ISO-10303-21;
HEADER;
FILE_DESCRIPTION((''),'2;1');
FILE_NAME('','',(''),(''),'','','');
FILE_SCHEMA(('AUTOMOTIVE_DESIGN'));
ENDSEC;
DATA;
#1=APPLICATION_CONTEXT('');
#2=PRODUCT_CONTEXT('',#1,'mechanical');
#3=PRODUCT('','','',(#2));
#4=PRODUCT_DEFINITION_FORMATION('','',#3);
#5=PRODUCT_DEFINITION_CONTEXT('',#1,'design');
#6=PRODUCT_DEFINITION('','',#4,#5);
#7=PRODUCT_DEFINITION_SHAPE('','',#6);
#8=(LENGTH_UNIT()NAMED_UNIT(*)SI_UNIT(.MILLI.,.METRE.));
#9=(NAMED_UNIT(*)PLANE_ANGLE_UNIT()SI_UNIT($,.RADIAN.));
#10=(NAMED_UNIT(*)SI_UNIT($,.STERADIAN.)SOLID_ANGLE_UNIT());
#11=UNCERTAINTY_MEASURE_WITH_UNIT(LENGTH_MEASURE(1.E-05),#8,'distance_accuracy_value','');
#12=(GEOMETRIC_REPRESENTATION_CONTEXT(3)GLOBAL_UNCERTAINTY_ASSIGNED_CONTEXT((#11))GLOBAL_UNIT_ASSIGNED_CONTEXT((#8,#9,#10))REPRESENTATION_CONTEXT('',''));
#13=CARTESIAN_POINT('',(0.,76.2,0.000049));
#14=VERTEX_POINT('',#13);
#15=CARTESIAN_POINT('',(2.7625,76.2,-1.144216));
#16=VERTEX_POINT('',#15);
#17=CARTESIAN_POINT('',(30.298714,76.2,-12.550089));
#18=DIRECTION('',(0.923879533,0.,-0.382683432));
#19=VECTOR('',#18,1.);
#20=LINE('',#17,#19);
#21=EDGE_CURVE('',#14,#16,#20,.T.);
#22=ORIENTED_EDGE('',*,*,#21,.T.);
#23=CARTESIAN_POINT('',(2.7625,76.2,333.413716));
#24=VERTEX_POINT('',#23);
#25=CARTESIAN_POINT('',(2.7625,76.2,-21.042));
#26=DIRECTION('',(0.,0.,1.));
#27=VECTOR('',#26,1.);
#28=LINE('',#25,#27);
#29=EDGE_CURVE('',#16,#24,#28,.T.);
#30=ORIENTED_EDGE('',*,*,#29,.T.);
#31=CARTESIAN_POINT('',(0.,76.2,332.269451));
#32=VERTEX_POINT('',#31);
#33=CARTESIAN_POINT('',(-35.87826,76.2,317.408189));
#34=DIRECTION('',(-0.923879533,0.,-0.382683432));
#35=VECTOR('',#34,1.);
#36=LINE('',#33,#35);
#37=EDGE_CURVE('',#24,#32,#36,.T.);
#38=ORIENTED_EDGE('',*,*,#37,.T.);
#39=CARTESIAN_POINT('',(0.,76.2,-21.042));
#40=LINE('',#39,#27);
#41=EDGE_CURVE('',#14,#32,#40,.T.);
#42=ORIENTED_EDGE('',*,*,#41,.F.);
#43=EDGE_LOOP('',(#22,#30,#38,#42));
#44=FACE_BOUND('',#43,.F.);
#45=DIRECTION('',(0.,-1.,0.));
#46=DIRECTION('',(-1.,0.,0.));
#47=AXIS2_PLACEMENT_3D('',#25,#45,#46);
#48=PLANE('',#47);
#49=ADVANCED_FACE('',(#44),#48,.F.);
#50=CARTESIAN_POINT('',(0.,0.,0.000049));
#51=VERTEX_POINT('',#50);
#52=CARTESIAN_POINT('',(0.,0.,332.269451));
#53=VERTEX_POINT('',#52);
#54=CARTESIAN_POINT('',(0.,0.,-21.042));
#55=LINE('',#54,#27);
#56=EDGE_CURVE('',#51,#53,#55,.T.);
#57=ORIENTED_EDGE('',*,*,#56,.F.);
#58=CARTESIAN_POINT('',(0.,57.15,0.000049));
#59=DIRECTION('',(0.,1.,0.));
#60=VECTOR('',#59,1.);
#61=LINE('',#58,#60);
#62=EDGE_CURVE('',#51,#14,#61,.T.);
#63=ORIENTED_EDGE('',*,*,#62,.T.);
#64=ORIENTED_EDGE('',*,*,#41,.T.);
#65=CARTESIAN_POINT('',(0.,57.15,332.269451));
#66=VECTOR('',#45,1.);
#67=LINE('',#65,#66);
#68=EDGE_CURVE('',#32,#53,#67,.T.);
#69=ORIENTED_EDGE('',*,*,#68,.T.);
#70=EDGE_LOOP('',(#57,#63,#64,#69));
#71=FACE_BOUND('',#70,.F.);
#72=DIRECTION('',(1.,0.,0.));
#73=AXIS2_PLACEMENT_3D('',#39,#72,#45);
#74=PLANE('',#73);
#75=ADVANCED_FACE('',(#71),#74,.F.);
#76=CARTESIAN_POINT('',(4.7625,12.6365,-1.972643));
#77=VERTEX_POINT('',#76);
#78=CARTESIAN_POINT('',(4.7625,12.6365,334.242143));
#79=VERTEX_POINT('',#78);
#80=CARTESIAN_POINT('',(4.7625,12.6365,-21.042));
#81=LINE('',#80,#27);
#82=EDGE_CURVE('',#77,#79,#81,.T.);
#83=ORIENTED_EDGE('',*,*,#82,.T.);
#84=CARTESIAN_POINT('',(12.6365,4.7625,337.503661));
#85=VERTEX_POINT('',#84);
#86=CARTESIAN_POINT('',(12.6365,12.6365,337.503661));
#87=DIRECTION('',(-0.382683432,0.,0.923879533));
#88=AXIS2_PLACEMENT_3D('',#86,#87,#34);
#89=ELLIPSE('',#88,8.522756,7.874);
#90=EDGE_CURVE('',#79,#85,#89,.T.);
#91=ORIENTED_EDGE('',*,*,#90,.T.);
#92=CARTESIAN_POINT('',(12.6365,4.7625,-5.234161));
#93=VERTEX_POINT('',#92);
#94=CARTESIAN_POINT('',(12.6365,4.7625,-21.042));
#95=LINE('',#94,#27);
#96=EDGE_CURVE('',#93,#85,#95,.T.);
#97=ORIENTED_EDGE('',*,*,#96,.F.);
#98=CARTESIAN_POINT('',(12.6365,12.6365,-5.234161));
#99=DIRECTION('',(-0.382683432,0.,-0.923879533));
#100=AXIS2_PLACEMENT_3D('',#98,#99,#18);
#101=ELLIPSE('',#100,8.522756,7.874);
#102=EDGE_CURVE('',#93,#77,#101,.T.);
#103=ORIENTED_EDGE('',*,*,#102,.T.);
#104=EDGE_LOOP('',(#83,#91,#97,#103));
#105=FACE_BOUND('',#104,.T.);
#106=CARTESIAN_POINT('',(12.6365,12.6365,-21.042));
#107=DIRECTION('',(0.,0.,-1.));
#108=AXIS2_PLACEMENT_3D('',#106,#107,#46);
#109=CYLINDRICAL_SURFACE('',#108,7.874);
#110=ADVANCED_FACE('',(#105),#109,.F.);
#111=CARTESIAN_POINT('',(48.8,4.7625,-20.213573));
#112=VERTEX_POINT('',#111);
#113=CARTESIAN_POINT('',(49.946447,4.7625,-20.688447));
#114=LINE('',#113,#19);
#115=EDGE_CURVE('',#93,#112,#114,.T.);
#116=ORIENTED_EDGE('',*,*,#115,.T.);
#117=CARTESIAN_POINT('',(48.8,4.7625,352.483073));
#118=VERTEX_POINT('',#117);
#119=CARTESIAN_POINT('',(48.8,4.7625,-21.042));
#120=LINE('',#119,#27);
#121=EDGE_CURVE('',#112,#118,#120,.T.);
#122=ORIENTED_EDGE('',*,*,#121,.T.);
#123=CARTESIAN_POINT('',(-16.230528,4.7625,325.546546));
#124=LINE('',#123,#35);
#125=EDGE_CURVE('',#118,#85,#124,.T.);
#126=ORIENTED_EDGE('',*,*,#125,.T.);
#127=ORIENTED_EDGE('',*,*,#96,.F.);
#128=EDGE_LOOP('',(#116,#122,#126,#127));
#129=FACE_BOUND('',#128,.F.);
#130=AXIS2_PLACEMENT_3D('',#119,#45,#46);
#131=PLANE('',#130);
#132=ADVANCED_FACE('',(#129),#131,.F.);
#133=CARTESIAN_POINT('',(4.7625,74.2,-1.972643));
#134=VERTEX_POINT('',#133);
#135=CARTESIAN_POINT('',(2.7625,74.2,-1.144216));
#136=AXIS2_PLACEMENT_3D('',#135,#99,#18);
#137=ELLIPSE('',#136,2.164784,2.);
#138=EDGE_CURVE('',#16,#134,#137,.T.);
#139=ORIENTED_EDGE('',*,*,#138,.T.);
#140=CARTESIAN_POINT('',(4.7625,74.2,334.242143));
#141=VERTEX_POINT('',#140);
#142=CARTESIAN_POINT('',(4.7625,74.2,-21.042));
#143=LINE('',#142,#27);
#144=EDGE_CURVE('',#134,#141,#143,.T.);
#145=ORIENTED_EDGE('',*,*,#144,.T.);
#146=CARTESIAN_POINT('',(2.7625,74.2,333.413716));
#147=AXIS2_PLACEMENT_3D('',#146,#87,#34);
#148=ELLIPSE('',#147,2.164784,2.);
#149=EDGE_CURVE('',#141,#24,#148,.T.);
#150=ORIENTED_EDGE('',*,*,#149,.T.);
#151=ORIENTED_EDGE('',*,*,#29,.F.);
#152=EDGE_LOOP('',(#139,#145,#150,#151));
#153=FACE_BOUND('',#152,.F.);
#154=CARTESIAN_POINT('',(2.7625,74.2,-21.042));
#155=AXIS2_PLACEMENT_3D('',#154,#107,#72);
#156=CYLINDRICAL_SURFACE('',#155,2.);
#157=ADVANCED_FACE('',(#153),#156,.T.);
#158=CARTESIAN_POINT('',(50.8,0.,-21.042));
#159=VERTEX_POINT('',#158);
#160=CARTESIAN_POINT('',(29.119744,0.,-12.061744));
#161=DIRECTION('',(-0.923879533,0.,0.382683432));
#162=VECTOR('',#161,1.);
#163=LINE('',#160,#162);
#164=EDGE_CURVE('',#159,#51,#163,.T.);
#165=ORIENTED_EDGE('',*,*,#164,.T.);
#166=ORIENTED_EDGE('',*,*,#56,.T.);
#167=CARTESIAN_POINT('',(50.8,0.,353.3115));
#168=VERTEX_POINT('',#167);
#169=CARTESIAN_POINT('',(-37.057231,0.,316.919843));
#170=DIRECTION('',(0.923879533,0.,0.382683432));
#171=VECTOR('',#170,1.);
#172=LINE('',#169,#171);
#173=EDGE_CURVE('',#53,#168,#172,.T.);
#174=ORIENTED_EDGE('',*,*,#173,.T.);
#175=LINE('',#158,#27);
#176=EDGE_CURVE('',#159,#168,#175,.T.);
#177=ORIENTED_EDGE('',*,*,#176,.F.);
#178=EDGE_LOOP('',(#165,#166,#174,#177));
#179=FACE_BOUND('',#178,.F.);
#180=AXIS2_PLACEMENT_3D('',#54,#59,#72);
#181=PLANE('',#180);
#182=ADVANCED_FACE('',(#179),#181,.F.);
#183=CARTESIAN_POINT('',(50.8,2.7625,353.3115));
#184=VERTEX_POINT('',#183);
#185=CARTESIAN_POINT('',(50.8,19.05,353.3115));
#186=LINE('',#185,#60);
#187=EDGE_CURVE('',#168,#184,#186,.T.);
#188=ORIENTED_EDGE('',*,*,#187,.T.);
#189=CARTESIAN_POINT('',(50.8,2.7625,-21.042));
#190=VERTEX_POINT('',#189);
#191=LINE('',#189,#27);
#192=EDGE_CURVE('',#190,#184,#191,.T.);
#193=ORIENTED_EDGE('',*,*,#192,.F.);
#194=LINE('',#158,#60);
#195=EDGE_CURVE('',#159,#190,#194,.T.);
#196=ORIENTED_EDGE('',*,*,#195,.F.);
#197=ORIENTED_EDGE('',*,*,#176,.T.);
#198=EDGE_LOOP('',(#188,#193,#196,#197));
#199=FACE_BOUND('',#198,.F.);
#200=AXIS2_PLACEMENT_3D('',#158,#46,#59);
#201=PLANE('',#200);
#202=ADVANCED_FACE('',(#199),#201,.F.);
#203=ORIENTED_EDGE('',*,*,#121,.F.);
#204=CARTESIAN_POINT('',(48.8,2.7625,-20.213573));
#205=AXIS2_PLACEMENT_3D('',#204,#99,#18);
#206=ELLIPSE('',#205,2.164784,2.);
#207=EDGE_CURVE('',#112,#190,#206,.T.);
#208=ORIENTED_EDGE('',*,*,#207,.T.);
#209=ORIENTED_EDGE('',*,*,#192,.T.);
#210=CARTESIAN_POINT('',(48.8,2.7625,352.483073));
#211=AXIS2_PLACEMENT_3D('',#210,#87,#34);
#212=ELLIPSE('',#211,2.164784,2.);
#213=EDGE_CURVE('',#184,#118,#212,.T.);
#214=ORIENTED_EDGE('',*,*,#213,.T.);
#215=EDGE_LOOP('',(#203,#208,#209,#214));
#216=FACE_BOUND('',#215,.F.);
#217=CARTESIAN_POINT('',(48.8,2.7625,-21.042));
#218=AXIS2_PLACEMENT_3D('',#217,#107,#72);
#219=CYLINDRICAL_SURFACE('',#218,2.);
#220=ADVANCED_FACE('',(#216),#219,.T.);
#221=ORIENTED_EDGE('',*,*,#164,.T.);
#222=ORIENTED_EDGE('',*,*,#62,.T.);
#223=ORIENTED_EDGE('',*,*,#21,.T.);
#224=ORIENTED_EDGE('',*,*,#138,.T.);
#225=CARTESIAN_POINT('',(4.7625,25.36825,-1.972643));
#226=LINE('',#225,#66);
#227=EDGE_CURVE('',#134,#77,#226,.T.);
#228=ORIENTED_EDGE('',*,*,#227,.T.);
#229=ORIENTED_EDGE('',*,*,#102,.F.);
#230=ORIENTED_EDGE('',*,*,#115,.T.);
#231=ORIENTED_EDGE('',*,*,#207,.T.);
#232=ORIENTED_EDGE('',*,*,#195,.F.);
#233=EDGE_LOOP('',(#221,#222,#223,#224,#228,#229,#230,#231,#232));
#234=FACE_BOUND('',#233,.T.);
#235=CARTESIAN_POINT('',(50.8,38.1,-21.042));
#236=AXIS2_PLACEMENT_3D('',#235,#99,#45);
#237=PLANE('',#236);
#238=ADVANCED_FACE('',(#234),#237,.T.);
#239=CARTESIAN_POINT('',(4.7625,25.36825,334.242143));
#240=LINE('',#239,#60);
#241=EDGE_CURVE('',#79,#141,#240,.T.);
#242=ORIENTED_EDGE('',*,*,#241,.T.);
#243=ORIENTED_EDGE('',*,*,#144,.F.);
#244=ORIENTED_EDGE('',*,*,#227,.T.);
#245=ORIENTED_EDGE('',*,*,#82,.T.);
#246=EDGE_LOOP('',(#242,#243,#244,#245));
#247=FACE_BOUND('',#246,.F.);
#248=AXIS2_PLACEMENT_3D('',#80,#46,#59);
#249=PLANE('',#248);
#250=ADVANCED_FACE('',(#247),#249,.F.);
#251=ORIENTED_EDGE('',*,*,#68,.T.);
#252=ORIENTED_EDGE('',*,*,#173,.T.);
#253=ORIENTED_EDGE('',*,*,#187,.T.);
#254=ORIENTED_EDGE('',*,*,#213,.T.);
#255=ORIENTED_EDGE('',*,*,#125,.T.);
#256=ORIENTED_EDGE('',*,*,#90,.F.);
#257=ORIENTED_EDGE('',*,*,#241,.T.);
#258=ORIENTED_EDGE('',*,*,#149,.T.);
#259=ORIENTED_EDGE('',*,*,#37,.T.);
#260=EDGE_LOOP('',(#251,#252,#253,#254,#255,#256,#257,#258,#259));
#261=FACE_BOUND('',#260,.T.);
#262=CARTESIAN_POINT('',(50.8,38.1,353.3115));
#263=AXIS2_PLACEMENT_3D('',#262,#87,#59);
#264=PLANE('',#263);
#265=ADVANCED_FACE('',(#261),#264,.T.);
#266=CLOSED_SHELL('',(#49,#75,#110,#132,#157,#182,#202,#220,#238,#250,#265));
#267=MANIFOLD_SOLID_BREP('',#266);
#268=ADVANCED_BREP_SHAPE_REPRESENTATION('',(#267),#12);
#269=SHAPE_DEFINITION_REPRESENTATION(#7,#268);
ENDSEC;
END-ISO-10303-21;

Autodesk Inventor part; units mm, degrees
ref_plane "Start plane" through (0, 0, -21.042) normal (0, 0, 1) x (1, 0, 0)
ref_plane "End plane" through (0, 0, 353.3115) normal (0, 0, 1) x (1, 0, 0)
sketch "Sketch" plane through (0, 0, 0) normal (0, 0, 1) x (1, 0, 0)
  line L0 (0, 76.2) -> (0, 0)
  line L1 (0, 0) -> (50.8, 0)
  line L2 (50.8, 0) -> (50.8, 2.7625)
  line L3 (48.8, 4.7625) -> (12.6365, 4.7625)
  line L4 (4.7625, 12.6365) -> (4.7625, 74.2)
  line L5 (2.7625, 76.2) -> (0, 76.2)
  line L6 (-7.0414, 0) -> (21.5385, 0) construction
  line L7 (0, -8.0414) -> (0, 34.5385) construction
  arc A0 (4.7625, 12.6365) -> (12.6365, 4.7625) centre (12.6365, 12.6365) ccw
  arc A1 (50.8, 2.7625) -> (48.8, 4.7625) centre (48.8, 2.7625) ccw
  arc A2 (4.7625, 74.2) -> (2.7625, 76.2) centre (2.7625, 74.2) ccw
  line L8 (0, 93.5453) -> (0, -24.9725) construction
  line L9 (-18.6925, 0) -> (62.8653, 0) construction
  point P0 (50.8, 4.7625)
  point P1 (4.7625, 4.7625)
  point P2 (4.7625, 76.2)
  dimension "d12" = 4.7625
  dimension "d13" = 76.2
  dimension "d14" = 50.8
  dimension "d15" = 0
  dimension "d16" = 4.7625
  dimension "d17" = 0
  dimension "d18" = 7.874
  dimension "d19" = 2
extrude "Body" add sketch "Sketch" along normal up to surface (374.3536 mm away) from surface at -21.042
ref_plane "Work Plane3" through (50.8, 38.1, -21.042) normal (-0.3827, 0, -0.9239) x (-0.9239, 0, 0.3827)
split "Split1" plane through (50.8, 38.1, -21.042) removes the side toward (-0.3827, 0, -0.9239)
ref_plane "Work Plane4" through (50.8, 38.1, 353.3115) normal (-0.3827, 0, 0.9239) x (0.9239, 0, 0.3827)
split "Split2" plane through (50.8, 38.1, 353.3115) removes the side toward (-0.3827, 0, 0.9239)
equation "\"d12\" = G_T"
equation "\"d13\" = G_H"
equation "\"d14\" = G_W"
equation "\"d16\" = G_T"
equation "\"d18\" = G_IR"
equation "\"d4\" = G_L"
equation "\"G_W\" = 50.8"
equation "\"G_H\" = 76.2"
equation "\"G_T\" = 4.7625"
equation "\"G_ER\" = 4.064"
equation "\"G_IR\" = 7.874"
equation "\"G_L\" = B_L + G_OFFSET_START + G_OFFSET_END"
equation "\"ex\" = 0"
equation "\"ey\" = 0"
equation "\"G_OFFSET_START\" = 21.04205"
equation "\"G_OFFSET_END\" = 21.04205"
equation "\"d20\" = -G_OFFSET_START"
equation "\"d21\" = G_OFFSET_END + B_L"
equation "\"B_L\" = 332.26948"
properties part number "ANSI L 3 x 2 x 3_16 00000012"
